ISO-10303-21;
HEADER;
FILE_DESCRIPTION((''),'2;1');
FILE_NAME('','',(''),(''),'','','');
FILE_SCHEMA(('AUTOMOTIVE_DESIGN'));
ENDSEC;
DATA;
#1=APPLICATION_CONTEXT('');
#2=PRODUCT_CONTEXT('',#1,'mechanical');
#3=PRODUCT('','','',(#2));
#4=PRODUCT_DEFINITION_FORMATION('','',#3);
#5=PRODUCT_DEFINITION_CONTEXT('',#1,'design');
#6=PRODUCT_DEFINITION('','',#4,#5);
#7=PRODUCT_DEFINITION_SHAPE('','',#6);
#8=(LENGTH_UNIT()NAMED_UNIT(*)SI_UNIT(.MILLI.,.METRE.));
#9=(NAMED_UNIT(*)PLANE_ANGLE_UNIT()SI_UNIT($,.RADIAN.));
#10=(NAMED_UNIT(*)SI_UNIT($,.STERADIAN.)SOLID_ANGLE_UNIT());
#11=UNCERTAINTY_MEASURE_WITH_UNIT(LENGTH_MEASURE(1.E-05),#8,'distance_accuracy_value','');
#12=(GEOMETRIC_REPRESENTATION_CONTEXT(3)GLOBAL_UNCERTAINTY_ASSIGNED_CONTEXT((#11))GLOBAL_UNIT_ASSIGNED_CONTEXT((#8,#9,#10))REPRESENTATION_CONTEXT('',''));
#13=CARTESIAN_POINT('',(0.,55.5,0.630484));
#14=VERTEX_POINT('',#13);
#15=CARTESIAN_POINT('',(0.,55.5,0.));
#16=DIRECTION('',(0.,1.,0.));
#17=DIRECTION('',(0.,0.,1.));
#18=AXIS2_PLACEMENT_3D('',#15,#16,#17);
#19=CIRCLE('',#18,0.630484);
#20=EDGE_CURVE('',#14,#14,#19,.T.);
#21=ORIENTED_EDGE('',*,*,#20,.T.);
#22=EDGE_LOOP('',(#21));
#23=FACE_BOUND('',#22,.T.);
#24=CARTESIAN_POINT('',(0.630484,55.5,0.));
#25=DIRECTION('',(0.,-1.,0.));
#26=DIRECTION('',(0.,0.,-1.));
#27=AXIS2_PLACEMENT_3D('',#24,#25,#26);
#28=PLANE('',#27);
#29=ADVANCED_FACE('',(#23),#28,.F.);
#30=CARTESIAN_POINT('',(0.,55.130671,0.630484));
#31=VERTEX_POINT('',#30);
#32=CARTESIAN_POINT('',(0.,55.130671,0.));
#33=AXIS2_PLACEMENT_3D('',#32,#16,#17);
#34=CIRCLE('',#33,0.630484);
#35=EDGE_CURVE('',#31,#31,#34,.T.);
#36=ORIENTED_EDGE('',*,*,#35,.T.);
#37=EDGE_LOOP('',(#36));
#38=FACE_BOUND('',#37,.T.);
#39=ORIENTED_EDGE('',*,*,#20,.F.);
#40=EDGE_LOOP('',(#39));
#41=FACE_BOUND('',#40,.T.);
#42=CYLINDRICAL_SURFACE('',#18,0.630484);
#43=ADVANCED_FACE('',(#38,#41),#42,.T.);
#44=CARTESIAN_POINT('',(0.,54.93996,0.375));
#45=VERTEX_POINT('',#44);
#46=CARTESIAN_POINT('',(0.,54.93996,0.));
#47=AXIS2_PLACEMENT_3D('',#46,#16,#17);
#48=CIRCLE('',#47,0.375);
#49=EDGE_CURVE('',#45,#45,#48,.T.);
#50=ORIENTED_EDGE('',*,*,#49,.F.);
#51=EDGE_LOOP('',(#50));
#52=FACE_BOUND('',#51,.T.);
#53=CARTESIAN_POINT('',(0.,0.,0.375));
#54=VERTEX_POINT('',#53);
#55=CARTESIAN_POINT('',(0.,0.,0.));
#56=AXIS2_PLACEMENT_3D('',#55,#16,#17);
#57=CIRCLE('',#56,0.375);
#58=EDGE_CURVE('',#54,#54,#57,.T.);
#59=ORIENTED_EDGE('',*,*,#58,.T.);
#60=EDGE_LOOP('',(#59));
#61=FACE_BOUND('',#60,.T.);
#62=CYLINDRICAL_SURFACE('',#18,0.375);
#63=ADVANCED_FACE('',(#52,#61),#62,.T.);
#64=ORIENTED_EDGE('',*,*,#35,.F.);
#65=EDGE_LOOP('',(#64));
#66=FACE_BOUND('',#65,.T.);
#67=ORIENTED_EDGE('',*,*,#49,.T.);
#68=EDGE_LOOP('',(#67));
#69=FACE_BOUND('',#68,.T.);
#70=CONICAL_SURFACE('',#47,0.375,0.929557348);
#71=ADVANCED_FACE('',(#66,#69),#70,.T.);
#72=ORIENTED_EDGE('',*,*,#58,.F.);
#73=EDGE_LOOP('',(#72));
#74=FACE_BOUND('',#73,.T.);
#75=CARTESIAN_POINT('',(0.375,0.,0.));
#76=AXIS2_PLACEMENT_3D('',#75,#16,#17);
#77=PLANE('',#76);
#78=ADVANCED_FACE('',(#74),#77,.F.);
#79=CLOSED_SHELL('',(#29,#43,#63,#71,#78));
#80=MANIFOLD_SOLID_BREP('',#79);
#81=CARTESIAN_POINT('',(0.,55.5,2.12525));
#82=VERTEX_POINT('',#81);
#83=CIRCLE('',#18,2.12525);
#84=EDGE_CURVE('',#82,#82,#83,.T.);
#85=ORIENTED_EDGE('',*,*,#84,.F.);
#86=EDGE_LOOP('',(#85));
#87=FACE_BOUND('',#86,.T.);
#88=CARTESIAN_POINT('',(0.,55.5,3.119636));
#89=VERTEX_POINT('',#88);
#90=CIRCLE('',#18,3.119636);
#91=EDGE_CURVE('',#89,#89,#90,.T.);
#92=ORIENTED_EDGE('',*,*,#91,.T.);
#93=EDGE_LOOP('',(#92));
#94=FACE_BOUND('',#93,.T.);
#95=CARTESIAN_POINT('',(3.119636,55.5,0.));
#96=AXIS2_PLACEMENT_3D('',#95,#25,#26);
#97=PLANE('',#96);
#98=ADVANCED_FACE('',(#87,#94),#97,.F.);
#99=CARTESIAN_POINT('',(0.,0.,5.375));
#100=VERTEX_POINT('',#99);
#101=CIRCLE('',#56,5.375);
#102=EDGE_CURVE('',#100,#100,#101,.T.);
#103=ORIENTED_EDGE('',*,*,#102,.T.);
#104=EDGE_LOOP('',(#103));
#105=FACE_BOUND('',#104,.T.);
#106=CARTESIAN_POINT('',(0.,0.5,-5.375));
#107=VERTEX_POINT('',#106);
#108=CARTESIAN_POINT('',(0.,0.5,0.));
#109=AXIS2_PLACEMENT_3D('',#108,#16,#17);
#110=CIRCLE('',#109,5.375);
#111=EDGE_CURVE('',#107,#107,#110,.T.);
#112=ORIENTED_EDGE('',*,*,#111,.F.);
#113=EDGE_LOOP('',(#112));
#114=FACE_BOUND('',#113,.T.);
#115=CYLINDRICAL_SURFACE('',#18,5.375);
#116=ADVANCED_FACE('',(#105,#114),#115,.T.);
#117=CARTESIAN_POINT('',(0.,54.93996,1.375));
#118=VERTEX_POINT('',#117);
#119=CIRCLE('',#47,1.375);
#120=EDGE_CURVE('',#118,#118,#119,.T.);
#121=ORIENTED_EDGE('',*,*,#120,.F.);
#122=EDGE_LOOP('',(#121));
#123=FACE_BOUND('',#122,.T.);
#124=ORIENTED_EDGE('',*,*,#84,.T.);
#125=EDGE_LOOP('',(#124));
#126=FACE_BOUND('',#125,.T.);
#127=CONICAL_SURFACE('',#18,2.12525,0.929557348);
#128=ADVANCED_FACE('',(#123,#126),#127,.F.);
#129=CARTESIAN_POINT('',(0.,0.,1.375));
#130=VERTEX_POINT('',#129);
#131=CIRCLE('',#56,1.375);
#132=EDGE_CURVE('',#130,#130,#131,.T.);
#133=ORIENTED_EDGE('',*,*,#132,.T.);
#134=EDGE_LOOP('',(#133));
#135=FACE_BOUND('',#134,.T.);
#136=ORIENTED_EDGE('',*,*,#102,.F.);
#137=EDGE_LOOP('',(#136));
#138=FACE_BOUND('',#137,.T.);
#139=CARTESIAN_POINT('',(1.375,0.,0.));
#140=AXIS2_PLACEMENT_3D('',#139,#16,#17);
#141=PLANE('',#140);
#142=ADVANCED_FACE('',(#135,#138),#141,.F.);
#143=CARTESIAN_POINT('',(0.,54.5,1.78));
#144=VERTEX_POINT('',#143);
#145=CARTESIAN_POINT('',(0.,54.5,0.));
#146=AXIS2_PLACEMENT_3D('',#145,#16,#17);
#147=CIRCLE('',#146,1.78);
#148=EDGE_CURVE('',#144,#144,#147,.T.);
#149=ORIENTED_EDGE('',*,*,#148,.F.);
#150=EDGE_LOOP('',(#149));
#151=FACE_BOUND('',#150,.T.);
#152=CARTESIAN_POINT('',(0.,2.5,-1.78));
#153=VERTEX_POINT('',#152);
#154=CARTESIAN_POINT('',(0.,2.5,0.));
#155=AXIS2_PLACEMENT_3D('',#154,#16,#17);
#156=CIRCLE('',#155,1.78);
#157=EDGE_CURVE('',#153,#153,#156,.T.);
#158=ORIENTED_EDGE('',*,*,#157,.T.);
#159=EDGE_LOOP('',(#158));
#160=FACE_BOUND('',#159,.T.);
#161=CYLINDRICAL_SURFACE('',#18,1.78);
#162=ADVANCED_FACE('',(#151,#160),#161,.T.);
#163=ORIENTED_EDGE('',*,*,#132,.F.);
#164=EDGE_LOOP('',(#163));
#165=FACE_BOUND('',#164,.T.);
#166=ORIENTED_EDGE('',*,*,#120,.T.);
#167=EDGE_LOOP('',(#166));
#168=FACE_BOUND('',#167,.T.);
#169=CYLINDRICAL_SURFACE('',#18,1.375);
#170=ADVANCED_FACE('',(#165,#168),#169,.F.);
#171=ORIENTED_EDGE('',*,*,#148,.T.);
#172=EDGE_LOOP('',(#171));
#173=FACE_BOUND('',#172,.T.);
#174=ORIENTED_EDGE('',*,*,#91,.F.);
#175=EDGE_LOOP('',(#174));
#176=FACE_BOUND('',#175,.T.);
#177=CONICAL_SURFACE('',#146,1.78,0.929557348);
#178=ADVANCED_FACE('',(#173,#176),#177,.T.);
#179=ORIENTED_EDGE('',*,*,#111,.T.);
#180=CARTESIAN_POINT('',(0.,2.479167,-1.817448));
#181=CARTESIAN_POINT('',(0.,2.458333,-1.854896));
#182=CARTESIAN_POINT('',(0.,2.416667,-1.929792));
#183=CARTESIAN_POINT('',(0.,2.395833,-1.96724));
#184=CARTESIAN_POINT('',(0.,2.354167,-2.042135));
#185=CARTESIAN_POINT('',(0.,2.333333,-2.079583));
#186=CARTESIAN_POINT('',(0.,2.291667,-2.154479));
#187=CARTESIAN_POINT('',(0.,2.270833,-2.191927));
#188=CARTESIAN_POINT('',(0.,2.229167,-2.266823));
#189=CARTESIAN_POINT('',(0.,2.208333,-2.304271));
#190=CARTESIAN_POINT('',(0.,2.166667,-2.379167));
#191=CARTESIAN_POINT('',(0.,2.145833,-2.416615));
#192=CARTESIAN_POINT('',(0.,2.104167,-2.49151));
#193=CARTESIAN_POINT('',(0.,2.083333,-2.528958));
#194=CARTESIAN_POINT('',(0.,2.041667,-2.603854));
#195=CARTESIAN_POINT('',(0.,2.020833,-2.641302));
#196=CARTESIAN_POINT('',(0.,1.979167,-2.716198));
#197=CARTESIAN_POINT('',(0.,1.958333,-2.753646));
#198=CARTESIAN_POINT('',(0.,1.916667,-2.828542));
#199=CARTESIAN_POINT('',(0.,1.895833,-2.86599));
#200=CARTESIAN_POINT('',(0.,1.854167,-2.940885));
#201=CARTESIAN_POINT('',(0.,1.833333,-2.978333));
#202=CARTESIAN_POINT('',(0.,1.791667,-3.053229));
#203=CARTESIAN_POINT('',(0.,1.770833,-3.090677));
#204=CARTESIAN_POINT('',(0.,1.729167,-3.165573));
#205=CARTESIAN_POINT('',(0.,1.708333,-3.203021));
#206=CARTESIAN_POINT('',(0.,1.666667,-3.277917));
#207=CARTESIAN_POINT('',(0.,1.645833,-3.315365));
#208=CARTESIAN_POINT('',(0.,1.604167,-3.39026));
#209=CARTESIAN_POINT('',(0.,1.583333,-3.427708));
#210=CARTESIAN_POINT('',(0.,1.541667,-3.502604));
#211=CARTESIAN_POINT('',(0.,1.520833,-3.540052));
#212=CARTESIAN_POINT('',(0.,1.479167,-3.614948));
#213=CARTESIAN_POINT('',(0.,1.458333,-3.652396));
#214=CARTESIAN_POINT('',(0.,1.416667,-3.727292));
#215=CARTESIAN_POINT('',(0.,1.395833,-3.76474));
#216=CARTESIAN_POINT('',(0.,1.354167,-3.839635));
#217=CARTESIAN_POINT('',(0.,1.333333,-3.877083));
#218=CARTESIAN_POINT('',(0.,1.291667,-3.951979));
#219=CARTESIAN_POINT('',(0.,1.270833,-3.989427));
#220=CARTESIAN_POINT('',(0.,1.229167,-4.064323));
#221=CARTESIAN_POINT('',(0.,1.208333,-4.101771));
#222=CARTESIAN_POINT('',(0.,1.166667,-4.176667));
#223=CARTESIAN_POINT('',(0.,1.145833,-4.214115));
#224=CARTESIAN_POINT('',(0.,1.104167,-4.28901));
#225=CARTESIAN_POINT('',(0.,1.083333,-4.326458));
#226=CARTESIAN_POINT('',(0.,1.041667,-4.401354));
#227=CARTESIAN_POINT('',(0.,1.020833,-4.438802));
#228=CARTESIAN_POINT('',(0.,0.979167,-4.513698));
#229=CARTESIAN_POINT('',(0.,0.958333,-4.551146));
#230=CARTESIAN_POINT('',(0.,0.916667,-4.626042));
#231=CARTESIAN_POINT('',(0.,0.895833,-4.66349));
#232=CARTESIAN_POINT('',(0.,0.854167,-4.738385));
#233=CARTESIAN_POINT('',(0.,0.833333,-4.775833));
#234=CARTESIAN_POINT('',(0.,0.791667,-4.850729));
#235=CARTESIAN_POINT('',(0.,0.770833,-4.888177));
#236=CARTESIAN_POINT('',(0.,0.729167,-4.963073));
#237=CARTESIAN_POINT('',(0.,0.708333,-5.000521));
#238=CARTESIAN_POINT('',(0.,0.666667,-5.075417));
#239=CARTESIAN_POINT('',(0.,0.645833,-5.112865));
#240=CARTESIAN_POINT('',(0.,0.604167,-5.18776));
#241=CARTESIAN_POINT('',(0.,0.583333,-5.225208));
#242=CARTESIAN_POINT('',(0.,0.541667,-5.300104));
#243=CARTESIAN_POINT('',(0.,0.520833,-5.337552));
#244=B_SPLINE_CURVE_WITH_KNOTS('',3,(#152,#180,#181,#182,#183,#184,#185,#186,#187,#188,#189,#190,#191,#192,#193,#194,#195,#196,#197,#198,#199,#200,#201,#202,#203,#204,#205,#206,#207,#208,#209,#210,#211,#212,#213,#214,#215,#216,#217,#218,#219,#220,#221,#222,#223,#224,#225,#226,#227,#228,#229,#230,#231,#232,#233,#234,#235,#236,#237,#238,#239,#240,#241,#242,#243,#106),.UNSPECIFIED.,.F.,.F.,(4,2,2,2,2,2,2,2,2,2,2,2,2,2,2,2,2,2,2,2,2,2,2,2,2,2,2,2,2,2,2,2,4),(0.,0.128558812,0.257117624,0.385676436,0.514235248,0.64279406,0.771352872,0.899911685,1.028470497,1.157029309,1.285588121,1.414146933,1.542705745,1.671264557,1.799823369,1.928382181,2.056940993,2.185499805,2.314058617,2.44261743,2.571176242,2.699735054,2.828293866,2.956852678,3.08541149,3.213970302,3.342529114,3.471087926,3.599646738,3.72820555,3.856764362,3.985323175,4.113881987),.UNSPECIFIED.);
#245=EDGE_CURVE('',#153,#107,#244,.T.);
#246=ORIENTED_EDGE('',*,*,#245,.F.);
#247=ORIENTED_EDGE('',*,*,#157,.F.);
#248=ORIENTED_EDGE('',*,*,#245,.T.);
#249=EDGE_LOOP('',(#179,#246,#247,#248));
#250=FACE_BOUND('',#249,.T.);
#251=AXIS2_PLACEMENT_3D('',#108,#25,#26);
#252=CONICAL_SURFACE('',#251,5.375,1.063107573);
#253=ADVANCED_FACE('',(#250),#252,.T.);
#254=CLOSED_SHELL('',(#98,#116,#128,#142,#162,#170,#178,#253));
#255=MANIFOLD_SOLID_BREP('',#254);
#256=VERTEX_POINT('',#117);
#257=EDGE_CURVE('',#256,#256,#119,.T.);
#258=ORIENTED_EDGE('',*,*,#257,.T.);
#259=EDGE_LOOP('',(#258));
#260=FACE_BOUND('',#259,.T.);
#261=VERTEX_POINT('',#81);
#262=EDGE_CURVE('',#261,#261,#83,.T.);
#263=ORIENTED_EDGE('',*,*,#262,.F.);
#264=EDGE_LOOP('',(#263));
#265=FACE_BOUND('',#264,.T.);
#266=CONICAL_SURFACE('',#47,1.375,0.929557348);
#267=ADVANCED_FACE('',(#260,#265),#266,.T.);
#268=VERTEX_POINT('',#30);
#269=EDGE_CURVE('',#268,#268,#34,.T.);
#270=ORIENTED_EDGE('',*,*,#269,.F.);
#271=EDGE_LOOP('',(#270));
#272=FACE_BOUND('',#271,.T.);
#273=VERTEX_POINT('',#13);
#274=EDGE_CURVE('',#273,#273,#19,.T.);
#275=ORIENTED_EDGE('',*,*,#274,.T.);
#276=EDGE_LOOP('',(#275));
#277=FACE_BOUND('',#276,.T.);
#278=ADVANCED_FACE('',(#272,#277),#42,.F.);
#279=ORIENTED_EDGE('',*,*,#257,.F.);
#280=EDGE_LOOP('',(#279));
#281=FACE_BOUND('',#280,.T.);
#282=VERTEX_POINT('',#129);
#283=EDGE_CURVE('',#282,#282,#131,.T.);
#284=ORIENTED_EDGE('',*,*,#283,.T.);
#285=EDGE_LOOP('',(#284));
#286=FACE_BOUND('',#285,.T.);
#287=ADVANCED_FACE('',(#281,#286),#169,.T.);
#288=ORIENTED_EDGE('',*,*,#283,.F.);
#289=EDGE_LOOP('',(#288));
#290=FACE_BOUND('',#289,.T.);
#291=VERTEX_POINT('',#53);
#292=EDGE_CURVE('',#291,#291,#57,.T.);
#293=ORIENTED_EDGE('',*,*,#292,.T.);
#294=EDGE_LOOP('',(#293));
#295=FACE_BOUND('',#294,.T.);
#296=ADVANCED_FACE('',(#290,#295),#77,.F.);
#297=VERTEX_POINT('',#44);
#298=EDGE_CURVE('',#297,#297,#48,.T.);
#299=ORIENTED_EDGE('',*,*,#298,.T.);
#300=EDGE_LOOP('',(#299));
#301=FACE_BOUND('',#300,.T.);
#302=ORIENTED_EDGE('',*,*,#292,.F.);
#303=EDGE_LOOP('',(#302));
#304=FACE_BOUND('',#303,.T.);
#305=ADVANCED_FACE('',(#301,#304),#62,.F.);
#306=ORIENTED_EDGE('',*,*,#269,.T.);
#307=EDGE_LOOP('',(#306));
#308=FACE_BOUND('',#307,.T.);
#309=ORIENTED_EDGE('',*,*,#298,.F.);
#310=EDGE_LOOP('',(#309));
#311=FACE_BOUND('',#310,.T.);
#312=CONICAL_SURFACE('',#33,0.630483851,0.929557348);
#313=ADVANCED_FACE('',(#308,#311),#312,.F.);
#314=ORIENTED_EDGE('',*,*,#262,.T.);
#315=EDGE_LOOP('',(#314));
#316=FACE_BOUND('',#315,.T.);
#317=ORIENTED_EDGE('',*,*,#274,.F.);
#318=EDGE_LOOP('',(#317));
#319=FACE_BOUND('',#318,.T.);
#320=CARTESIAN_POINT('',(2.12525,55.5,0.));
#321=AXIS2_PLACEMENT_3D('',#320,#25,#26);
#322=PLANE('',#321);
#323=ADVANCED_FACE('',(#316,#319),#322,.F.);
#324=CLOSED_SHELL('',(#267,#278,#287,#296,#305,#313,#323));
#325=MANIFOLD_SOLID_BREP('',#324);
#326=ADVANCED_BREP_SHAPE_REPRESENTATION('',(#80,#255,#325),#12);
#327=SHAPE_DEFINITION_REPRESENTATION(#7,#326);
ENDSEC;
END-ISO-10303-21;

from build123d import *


with BuildPart() as part:
    # Croquis1 → Revolución1 (revolve)
    with BuildSketch(Plane.XY, mode=Mode.PRIVATE) as revoluci_n1_sk:
        Polygon((5.375, 0), (5.375, 0.5), (1.78, 2.5), (1.78, 54.5), (3.11963605, 55.5), (2.12525, 55.5), (1.375, 54.939959831), (1.375, 0), align=None)
        Polygon((0.375, 0), (0.375, 54.939959831), (0.630483851, 55.130671219), (0.630483851, 55.5), (0, 55.5), (0, 0), align=None)
    revolve(revoluci_n1_sk.sketch.rotate(Axis((0, 55.5, 0), (0, -1, 0)), 90), axis=Axis((0, 55.5, 0), (0, -1, 0)))


with BuildPart() as body_2:
    # Croquis3 → Revolución2 (revolve)
    with BuildSketch(Plane.XY, mode=Mode.PRIVATE) as revoluci_n2_sk:
        Polygon((0.375, 54.939959831), (0.630483851, 55.130671219), (0.630483851, 55.5), (2.12525, 55.5), (1.375, 54.939959831), (1.375, 0), (0.375, 0), align=None)
    revolve(revoluci_n2_sk.sketch.rotate(Axis((0, 55.5, 0), (0, -1, 0)), 270), axis=Axis((0, 55.5, 0), (0, -1, 0)))


solid = Compound([part.part, body_2.part])
